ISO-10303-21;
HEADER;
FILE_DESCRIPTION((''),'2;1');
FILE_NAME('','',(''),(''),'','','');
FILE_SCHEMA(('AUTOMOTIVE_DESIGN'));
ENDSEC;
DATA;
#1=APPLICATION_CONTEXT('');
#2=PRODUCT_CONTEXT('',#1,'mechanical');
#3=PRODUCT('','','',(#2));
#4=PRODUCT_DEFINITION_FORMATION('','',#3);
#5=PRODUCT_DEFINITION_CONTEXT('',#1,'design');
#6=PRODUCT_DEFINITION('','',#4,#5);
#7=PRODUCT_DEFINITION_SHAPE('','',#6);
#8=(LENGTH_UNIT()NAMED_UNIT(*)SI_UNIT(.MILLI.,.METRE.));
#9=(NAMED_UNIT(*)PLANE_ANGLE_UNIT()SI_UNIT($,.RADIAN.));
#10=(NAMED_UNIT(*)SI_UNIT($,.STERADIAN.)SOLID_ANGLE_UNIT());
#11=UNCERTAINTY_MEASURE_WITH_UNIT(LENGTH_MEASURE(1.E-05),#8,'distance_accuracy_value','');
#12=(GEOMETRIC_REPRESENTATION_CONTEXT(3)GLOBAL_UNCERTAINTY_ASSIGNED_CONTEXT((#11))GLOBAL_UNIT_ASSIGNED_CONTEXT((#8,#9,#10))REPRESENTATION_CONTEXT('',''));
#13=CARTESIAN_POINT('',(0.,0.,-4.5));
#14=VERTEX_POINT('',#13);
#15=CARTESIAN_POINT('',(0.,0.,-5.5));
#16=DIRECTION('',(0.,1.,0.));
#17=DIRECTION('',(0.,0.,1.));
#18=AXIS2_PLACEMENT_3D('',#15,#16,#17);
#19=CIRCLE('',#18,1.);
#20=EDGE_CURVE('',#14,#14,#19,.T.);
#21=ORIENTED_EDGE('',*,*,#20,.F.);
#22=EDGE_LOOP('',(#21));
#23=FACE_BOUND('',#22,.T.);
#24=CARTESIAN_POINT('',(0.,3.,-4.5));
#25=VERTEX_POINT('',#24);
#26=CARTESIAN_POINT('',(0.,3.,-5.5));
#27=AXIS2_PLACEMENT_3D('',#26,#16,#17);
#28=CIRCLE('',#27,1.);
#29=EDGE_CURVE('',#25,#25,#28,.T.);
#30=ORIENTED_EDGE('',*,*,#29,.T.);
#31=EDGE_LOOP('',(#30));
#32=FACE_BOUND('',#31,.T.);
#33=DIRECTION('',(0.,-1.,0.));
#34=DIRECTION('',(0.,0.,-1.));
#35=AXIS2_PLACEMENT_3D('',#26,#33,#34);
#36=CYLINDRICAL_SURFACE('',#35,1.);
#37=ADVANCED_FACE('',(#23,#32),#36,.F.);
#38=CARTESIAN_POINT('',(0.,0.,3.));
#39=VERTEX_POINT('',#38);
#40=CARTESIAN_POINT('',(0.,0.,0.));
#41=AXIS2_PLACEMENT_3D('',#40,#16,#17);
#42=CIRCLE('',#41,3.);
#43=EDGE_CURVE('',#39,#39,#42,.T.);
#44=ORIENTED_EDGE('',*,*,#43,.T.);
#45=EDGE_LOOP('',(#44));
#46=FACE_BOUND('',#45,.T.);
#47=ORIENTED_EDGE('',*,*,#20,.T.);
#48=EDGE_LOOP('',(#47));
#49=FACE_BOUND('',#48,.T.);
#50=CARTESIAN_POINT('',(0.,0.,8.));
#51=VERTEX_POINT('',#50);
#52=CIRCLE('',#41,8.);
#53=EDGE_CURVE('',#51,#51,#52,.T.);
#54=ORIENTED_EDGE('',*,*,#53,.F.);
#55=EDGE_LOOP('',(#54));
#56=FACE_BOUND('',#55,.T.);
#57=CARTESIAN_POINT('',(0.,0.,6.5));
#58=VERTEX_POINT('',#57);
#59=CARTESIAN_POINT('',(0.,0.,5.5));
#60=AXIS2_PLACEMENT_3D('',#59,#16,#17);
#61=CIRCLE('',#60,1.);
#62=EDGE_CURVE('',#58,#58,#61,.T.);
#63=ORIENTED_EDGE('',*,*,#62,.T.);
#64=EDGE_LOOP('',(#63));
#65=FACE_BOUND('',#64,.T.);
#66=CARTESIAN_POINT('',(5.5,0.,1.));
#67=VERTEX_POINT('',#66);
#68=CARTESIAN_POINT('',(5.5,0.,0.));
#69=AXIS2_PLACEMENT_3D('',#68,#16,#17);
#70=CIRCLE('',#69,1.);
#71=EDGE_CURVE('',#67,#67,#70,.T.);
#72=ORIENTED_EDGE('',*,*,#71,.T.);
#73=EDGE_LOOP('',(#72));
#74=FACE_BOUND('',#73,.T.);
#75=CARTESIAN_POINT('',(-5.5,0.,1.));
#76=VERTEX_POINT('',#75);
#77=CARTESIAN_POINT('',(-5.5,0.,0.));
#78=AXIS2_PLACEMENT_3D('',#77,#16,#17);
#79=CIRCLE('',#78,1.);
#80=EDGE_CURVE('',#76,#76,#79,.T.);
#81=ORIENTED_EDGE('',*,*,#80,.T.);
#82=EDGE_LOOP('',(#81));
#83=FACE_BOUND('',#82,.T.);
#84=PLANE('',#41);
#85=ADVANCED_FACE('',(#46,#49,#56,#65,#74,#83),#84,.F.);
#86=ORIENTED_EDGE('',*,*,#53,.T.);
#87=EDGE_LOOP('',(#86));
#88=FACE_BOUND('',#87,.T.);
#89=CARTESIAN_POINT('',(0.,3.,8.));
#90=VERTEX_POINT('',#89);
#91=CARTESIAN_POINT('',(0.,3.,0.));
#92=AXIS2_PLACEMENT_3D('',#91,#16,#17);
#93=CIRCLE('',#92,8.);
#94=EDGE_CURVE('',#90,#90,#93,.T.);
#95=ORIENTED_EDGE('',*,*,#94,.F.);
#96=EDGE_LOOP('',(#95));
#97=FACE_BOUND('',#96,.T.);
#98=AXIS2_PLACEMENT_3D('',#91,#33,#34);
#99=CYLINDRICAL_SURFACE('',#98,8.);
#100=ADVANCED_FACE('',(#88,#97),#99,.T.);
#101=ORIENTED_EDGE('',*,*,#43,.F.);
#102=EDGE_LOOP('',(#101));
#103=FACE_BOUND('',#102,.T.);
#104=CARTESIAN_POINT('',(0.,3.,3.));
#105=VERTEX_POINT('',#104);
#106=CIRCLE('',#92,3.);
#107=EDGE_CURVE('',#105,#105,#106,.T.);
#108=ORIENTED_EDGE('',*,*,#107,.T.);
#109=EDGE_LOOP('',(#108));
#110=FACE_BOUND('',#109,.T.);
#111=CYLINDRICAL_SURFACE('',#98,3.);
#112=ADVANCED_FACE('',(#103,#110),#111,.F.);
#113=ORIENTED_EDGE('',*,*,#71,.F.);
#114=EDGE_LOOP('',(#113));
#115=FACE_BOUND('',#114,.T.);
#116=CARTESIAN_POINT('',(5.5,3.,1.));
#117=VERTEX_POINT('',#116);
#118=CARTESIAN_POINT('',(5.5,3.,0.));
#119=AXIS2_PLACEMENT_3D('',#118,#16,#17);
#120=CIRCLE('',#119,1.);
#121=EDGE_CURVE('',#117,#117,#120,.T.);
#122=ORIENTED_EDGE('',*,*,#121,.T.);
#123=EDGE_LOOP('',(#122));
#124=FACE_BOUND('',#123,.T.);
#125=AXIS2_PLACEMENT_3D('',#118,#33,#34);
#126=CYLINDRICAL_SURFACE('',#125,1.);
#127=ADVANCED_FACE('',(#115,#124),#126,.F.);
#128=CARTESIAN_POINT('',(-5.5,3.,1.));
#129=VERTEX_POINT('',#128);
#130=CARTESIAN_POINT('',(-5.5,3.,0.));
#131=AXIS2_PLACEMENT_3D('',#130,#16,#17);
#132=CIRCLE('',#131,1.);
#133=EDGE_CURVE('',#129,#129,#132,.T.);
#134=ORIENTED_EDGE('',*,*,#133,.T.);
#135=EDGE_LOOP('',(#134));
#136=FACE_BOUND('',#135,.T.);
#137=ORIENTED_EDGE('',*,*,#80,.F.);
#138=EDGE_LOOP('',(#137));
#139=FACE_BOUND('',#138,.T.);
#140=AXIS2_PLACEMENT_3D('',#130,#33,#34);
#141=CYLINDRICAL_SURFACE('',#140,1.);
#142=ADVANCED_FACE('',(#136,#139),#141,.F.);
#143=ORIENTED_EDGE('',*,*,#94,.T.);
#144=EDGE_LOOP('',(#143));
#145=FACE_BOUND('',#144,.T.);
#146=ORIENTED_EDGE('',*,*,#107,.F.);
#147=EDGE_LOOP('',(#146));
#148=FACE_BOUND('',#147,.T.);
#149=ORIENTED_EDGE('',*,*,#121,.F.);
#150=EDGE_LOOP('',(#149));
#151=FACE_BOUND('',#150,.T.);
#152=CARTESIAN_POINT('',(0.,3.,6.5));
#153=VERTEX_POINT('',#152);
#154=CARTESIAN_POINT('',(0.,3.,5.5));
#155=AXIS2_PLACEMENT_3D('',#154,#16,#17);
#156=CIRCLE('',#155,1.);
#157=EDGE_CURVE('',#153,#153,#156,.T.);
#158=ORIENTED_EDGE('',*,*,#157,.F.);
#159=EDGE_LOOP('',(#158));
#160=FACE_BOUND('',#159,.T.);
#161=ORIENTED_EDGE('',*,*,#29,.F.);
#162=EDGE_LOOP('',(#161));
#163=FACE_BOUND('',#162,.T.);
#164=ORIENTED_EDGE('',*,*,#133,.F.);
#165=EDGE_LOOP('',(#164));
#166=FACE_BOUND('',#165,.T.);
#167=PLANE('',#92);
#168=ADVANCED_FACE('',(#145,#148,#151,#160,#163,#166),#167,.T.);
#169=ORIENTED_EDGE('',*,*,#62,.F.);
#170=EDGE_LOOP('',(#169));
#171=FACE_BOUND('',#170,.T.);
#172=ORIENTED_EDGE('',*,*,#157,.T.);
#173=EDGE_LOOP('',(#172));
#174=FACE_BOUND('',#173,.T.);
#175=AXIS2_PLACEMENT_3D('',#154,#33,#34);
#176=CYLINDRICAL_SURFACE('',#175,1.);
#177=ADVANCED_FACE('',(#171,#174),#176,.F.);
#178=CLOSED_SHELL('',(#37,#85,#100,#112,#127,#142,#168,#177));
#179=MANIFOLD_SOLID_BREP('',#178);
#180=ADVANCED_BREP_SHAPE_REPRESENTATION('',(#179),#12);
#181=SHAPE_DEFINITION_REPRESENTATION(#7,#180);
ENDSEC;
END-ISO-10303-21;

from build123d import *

# Parameters (mm, degrees)
SKETCH1_R           = 8
SKETCH1_R_2         = 3
SKETCH1_R_3         = 1
BOSS_EXTRUDE1_DEPTH = 3


with BuildPart() as part:
    # Sketch1 → Boss-Extrude1 (new body)
    with BuildSketch(Plane(origin=(0, 0, 0), x_dir=(1, 0, 0), z_dir=(0, 1, 0))):
        with Locations(Location((0, 0, 0), (0, 0, 270))):
            Circle(SKETCH1_R)
        with Locations(Location((0, 0, 0), (0, 0, 270))):
            Circle(SKETCH1_R_2, mode=Mode.SUBTRACT)
        with Locations(Location((0, 5.5, 0), (0, 0, 270))):
            Circle(SKETCH1_R_3, mode=Mode.SUBTRACT)
        with Locations(Location((5.5, 0, 0), (0, 0, 270))):
            Circle(SKETCH1_R_3, mode=Mode.SUBTRACT)
        with Locations(Location((0, -5.5, 0), (0, 0, 270))):
            Circle(SKETCH1_R_3, mode=Mode.SUBTRACT)
        with Locations(Location((-5.5, 0, 0), (0, 0, 270))):
            Circle(SKETCH1_R_3, mode=Mode.SUBTRACT)
    extrude(amount=BOSS_EXTRUDE1_DEPTH)


solid = part.part
